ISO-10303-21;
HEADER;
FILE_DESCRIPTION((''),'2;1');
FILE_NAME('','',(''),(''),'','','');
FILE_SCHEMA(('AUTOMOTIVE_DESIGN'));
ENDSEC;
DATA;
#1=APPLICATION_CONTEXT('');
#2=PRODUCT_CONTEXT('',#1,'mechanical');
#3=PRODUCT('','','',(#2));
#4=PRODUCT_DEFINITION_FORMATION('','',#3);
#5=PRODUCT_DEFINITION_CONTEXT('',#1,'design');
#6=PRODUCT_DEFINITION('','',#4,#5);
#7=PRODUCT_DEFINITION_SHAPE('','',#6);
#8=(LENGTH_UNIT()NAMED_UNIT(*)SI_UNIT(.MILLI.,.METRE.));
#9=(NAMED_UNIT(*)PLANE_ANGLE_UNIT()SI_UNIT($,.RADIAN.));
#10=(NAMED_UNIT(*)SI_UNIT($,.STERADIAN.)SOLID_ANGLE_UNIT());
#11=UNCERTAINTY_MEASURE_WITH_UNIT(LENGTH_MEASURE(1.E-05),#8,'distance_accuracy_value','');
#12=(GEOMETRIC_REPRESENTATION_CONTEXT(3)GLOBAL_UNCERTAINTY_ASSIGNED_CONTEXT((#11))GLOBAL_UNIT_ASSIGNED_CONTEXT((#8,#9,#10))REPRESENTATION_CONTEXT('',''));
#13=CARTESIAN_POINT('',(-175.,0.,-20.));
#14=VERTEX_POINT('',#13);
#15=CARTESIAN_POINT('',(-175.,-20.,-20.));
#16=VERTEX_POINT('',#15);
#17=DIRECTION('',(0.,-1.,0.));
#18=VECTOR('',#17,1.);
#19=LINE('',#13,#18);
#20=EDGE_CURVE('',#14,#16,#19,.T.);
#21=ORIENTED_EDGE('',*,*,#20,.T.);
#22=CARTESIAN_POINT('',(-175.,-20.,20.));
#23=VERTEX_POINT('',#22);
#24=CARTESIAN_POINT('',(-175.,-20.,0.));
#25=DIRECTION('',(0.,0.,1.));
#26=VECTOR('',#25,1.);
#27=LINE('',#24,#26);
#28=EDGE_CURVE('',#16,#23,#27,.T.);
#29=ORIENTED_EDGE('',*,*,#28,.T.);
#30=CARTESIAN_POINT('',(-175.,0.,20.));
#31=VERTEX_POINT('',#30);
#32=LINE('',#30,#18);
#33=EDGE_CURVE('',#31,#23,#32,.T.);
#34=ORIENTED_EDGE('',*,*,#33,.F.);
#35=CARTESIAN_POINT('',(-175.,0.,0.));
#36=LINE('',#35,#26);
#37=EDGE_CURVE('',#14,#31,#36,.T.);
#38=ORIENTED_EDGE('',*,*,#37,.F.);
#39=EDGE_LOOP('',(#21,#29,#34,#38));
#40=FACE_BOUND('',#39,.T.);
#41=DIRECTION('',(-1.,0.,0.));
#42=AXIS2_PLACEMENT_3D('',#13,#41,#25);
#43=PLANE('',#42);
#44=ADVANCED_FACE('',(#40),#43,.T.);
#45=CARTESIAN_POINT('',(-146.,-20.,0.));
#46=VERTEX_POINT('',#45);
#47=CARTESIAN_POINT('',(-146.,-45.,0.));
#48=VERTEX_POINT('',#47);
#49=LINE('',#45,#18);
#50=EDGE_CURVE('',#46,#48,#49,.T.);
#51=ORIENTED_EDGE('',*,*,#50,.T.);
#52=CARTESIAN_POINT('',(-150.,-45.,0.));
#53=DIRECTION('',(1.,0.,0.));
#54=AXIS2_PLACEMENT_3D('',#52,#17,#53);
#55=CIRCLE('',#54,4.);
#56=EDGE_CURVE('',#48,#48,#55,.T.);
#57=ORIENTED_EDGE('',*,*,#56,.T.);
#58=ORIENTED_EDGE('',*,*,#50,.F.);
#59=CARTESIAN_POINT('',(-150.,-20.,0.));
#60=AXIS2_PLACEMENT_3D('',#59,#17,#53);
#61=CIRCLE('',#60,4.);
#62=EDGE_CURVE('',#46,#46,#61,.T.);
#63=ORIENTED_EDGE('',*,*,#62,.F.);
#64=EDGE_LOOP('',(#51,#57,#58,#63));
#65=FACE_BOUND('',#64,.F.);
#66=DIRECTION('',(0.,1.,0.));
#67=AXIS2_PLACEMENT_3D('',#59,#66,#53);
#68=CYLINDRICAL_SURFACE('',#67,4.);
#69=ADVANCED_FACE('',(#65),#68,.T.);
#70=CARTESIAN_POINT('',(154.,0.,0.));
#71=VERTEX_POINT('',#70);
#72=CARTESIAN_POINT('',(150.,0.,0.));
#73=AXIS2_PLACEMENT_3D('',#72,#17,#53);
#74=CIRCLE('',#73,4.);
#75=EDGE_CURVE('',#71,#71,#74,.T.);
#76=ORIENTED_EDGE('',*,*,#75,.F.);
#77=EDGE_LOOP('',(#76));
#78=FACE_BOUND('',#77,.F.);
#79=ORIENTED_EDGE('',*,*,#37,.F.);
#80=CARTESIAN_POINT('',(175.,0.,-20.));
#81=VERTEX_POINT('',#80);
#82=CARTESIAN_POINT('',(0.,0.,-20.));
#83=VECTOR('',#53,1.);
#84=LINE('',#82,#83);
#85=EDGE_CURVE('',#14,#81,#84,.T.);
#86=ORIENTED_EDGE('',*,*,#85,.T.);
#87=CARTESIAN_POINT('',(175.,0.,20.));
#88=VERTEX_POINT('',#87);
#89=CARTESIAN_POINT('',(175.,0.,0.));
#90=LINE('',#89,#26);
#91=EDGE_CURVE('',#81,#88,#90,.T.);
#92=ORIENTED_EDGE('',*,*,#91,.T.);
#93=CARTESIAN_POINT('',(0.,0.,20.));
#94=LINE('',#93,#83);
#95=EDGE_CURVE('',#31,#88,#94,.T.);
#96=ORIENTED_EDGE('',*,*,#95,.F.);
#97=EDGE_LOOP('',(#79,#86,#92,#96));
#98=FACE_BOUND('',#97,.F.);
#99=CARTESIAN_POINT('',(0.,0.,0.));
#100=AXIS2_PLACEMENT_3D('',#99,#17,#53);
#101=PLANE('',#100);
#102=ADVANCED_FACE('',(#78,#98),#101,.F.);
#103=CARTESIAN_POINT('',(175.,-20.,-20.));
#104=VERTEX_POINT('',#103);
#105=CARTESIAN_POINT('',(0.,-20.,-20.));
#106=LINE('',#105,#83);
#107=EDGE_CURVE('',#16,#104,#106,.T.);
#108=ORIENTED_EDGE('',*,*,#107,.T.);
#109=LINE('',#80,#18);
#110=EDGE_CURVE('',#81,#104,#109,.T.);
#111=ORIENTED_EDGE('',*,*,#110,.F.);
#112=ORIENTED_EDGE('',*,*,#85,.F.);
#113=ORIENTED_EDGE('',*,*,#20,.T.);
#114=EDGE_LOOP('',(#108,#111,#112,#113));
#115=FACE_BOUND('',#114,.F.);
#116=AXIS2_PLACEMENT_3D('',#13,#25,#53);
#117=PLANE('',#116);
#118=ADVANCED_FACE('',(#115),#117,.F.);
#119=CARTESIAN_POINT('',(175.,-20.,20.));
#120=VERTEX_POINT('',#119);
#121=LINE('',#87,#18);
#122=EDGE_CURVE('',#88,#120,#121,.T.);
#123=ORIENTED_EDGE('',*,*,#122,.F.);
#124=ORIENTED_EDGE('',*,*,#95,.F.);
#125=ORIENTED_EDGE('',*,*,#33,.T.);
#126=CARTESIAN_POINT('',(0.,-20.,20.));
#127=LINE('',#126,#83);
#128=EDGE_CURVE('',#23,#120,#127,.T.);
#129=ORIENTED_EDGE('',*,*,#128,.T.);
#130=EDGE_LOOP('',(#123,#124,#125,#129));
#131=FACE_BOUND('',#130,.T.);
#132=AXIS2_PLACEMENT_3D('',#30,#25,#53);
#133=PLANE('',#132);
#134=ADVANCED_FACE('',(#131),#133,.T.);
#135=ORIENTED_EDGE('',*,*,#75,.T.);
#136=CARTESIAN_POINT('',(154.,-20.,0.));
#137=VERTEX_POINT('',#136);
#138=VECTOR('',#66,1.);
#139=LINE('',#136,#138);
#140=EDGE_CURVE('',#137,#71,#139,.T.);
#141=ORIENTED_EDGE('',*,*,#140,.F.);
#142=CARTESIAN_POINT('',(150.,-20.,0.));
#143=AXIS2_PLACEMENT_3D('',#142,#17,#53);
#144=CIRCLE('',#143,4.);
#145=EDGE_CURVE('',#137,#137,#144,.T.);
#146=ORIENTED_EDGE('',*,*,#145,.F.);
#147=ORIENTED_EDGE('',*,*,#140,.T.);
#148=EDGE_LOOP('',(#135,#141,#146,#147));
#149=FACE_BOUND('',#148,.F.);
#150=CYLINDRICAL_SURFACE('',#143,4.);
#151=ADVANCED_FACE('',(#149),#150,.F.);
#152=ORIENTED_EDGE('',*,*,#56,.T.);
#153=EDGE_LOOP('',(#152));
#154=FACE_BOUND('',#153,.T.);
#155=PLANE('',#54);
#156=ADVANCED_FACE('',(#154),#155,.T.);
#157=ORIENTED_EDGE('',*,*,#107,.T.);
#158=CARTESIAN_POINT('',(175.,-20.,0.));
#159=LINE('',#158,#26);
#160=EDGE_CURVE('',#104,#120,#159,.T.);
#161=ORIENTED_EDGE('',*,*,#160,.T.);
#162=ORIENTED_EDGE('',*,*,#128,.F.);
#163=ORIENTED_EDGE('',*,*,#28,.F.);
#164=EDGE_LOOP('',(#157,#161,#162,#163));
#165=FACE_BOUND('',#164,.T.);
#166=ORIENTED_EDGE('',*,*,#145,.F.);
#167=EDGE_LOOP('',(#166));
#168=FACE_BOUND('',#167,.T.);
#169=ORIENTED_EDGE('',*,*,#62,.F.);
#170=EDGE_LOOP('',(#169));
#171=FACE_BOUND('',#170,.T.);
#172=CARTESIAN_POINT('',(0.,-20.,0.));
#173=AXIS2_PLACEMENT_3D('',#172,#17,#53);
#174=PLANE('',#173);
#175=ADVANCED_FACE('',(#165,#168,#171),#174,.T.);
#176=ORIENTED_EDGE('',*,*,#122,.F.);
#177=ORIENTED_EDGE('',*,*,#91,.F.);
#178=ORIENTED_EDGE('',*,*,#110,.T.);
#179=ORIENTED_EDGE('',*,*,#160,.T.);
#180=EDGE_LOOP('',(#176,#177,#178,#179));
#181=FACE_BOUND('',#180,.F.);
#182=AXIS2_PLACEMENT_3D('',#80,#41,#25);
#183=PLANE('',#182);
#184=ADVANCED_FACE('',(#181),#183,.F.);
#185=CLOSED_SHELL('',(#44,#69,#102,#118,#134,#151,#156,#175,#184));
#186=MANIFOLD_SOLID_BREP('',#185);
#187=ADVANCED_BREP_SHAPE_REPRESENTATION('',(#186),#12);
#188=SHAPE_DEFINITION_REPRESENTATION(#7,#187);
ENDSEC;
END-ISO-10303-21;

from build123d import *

# Parameters (mm, degrees)
F0_W     = 350
F0_H     = 40
F1_DEPTH = 20
F2_R     = 4
F3_DEPTH = 25
F4_R     = 4
F5_DEPTH = 25


with BuildPart() as f1:
    # F0 (on Front) → F1 (new body)
    with BuildSketch(Plane.XZ):
        Rectangle(F0_W, F0_H)
    extrude(amount=F1_DEPTH)

    # F2 (on face) → F3 (join)
    with BuildSketch(Plane.XZ.offset(20)):
        with Locations((-150, 0)):
            Circle(F2_R)
    extrude(amount=F3_DEPTH)

    # F4 (on face) → F5 (cut)
    with BuildSketch(Plane.XZ.offset(20)):
        with Locations((150, 0)):
            Circle(F4_R)
    extrude(amount=-F5_DEPTH, mode=Mode.SUBTRACT)


solid = f1.part
